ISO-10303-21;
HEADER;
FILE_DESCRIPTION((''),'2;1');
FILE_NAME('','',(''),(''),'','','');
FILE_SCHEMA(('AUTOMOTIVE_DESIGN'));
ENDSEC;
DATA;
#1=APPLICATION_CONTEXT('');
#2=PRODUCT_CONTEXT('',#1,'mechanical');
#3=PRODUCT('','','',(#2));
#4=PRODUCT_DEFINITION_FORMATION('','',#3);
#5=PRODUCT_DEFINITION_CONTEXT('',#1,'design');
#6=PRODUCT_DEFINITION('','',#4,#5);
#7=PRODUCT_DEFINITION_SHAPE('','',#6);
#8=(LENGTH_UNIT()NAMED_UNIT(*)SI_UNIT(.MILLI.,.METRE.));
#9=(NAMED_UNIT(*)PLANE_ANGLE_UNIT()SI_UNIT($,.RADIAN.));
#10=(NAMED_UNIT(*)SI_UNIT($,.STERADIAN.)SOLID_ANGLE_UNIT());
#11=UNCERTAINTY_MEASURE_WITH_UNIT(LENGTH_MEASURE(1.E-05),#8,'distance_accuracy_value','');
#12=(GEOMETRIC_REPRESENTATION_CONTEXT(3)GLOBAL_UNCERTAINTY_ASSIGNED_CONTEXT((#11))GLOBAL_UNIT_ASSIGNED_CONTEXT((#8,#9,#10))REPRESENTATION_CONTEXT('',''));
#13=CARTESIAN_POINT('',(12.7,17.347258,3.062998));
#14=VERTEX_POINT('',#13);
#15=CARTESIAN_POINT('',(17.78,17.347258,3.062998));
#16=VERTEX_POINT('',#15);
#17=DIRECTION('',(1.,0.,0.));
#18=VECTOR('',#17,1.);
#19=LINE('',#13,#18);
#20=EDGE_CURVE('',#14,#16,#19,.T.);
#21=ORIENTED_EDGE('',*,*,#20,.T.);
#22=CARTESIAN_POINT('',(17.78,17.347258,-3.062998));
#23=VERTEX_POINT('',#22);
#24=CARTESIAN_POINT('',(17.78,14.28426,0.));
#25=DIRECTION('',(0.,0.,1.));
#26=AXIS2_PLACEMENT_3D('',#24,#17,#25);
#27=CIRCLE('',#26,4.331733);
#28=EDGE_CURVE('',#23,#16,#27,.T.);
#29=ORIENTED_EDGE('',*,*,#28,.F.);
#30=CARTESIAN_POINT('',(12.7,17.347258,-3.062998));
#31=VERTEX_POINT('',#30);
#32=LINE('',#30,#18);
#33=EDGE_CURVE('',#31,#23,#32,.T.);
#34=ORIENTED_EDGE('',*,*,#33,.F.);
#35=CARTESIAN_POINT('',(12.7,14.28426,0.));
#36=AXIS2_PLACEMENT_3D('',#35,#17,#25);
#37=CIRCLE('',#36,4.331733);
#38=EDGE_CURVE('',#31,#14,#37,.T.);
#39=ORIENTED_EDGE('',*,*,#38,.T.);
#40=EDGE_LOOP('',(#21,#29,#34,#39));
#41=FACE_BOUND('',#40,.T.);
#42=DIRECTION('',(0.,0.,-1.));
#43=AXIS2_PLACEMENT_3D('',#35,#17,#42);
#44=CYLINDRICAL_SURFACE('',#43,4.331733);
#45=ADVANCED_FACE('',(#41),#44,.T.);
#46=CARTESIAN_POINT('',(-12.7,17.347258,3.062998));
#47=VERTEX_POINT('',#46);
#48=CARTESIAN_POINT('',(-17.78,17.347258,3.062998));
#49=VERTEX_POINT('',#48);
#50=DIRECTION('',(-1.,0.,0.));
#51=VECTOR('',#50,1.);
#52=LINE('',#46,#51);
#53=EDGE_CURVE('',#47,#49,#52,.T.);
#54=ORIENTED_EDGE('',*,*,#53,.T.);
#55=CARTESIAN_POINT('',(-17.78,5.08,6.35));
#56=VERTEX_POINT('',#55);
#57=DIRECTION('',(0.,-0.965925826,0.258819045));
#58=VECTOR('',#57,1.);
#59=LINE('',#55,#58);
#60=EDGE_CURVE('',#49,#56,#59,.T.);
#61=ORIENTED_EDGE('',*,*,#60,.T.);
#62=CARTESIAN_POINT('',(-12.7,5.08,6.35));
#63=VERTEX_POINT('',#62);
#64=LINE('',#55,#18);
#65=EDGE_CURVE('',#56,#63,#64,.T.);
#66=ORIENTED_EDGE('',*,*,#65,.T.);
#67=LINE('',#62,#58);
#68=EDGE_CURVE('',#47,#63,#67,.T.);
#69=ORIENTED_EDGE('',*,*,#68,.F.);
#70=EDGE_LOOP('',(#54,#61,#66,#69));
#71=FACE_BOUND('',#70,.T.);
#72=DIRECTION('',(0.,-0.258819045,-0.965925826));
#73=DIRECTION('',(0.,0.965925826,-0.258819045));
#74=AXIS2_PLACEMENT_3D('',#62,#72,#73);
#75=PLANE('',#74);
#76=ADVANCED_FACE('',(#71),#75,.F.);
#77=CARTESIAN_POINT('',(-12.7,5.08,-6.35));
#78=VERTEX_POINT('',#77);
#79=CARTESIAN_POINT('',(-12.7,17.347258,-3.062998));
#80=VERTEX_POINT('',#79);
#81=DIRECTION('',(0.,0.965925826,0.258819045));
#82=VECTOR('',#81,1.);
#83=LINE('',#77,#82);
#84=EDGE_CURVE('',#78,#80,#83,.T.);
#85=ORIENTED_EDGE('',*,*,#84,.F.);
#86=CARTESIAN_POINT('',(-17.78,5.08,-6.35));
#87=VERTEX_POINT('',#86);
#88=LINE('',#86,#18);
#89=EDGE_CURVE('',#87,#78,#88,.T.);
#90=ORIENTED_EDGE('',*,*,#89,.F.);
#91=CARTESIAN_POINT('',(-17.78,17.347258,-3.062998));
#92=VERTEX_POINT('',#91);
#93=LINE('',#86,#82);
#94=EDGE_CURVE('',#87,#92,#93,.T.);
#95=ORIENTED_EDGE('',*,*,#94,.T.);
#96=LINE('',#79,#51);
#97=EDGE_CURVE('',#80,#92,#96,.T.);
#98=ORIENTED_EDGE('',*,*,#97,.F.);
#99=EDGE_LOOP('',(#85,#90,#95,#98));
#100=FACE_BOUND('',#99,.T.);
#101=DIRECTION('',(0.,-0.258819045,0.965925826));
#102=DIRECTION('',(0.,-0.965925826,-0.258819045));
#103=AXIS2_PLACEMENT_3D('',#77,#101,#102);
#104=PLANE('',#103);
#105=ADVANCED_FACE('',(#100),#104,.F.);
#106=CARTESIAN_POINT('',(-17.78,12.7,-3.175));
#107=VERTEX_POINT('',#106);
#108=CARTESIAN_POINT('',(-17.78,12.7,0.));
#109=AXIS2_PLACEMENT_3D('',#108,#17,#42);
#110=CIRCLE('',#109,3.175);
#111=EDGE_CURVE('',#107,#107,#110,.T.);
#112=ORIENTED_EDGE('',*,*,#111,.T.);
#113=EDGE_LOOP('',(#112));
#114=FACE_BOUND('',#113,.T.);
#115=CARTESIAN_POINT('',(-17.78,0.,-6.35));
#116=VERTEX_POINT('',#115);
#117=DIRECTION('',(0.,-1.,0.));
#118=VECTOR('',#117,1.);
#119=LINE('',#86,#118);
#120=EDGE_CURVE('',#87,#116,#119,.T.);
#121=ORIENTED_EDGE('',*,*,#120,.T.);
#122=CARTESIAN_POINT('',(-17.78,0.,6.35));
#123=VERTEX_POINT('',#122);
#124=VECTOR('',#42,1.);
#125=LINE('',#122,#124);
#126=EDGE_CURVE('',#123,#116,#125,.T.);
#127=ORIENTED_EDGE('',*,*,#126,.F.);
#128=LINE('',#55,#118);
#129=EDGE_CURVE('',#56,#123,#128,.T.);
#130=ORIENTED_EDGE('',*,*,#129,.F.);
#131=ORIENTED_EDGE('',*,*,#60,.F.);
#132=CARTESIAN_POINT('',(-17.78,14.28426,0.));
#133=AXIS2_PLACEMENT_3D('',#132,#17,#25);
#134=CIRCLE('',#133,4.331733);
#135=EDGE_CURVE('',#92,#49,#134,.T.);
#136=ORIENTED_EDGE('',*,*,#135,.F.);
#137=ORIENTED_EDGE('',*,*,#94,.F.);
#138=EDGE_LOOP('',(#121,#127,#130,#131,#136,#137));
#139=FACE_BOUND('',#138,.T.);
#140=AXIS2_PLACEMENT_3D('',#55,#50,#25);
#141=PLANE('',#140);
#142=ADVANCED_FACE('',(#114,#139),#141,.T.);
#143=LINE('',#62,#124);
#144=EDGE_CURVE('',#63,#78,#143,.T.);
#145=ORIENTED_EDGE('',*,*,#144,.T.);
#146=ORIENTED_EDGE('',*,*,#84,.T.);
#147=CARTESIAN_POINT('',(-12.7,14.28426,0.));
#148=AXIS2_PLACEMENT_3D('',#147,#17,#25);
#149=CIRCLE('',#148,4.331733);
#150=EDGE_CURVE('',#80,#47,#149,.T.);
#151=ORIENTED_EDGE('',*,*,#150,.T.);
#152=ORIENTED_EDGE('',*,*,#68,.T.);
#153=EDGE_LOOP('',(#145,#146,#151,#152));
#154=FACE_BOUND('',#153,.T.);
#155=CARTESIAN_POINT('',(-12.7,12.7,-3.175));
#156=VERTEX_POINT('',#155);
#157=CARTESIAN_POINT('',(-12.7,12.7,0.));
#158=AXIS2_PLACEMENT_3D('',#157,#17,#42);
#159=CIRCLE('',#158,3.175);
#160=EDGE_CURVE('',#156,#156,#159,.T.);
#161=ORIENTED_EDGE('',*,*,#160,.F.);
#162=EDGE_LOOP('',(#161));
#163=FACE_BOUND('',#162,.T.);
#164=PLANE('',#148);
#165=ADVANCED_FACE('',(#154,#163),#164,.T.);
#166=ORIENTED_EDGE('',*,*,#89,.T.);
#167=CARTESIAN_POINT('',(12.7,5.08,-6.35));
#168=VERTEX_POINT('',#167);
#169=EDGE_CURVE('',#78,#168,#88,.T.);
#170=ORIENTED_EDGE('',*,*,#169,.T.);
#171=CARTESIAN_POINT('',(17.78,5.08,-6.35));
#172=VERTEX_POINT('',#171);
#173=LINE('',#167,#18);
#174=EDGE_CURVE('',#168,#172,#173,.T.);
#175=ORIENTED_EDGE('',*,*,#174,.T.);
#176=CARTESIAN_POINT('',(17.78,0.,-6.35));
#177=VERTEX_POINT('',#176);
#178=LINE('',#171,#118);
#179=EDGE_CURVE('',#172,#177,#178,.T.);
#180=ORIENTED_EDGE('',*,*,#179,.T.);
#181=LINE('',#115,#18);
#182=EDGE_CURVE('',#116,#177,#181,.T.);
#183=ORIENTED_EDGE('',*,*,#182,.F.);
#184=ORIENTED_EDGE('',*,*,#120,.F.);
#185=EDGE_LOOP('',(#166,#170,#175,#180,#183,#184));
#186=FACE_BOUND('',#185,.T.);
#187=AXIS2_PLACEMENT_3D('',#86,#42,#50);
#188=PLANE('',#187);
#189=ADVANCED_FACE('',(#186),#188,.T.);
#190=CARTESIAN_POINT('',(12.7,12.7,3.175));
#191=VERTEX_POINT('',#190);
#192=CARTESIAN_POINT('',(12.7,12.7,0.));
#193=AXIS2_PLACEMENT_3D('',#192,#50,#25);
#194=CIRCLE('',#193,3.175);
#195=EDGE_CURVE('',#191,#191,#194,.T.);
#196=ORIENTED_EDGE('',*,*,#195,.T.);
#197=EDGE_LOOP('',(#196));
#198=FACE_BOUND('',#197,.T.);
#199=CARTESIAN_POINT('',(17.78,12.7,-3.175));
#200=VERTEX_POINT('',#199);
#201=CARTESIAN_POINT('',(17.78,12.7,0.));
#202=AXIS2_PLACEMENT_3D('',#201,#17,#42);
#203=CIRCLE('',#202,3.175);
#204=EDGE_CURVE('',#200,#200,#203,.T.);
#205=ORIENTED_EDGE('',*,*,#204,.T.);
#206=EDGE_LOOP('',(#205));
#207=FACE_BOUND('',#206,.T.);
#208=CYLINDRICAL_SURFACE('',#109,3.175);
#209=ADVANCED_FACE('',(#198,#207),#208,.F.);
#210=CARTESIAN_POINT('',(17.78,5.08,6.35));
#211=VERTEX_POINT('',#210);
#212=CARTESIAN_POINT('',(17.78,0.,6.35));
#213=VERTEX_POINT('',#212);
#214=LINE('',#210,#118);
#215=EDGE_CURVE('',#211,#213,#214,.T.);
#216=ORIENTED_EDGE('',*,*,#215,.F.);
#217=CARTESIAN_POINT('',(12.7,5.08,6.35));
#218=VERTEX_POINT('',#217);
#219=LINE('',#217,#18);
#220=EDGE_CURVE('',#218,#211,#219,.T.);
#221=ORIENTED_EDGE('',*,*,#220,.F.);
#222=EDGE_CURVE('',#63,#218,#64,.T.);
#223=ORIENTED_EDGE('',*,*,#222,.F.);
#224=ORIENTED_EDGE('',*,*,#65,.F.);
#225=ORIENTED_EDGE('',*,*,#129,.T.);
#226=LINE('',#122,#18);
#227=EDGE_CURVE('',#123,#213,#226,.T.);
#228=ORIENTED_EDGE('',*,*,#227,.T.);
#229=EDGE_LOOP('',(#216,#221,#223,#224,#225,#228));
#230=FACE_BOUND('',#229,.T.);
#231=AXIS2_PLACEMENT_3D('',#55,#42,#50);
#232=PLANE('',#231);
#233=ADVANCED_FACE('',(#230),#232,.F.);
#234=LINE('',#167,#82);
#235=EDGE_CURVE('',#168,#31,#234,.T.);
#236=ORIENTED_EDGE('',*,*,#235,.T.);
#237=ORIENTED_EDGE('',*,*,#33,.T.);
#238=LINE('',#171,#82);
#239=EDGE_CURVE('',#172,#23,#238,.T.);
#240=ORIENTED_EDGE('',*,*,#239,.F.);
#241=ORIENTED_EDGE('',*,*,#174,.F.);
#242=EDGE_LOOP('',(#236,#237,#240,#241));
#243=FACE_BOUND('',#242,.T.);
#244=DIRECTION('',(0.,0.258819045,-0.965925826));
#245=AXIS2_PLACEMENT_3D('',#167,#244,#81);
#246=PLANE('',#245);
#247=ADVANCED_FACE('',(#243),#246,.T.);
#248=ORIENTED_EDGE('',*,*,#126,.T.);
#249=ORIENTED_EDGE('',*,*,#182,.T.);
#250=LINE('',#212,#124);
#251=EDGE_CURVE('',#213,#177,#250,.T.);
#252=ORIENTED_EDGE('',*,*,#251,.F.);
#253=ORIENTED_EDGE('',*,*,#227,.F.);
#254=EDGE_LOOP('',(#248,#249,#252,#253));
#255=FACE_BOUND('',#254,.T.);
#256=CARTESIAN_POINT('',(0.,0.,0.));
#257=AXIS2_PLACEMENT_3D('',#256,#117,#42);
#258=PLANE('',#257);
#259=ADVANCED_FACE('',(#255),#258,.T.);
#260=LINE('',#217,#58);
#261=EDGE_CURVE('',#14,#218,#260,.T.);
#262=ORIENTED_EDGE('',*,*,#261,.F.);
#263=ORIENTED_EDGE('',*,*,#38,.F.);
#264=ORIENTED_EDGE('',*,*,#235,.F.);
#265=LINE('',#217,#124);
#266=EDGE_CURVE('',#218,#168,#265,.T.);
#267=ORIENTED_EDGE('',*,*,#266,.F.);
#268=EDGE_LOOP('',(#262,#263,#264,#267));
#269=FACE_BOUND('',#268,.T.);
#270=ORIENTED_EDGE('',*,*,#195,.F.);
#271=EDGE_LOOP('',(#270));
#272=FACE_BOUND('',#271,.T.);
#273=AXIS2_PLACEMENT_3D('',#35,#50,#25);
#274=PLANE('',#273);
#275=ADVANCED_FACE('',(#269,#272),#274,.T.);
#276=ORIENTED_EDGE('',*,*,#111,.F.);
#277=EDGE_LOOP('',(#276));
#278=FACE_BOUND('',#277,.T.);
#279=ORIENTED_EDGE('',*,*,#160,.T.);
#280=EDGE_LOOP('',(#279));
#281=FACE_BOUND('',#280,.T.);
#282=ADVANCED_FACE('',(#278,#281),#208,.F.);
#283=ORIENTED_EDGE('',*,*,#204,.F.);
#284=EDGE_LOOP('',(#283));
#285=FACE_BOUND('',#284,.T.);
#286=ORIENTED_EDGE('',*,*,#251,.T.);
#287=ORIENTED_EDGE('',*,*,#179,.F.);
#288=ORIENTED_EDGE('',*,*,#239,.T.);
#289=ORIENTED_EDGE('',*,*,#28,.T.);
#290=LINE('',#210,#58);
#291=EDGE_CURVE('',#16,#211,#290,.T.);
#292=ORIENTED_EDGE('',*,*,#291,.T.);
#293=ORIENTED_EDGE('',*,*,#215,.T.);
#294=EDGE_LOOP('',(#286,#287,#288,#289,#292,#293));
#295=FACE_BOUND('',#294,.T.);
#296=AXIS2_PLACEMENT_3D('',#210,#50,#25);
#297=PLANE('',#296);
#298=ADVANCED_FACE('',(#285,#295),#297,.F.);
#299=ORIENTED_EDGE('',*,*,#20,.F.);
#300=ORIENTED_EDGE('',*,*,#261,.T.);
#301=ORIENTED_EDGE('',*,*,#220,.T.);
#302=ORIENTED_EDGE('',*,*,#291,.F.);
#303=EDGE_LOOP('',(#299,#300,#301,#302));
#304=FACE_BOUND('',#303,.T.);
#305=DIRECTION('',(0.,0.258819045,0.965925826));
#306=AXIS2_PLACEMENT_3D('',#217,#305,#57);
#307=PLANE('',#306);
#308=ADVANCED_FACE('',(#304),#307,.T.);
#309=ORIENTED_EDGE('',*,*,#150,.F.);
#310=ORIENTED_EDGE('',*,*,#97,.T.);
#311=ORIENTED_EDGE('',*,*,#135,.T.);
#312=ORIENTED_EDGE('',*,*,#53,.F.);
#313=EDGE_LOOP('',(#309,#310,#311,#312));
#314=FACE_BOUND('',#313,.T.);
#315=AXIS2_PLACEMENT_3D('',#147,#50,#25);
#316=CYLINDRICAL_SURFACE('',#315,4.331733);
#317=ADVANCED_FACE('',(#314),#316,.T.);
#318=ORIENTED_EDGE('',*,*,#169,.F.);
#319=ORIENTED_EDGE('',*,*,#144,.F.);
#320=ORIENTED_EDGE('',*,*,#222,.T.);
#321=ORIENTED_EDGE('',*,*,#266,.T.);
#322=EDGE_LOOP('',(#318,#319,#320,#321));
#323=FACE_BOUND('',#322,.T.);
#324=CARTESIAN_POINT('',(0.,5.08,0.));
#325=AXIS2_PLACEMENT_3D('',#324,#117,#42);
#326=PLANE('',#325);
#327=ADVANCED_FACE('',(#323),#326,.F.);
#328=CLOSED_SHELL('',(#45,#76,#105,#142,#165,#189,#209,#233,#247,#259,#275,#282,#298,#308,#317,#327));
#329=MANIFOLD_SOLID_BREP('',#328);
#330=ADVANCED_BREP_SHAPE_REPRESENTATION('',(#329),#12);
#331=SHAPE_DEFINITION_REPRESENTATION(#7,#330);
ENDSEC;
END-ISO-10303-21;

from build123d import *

# Parameters (mm, degrees)
SKETCH1_W           = 35.56
SKETCH1_H           = 12.7
BOSS_EXTRUDE1_DEPTH = 5.08
BOSS_EXTRUDE2_DEPTH = 5.08
SKETCH3_R           = 3.175
CUT_EXTRUDE1_DEPTH  = 36.56


with BuildPart() as part:
    # Sketch1 → Boss-Extrude1 (new body)
    with BuildSketch(Plane(origin=(0, 0, 0), x_dir=(1, 0, 0), z_dir=(0, 1, 0))):
        Rectangle(SKETCH1_W, SKETCH1_H)
    extrude(amount=BOSS_EXTRUDE1_DEPTH)

    # Sketch2 → Boss-Extrude2 (add)
    with BuildSketch(Plane(origin=(17.78, 0, 0), x_dir=(0, 0, -1), z_dir=(1, 0, 0))):
        with BuildLine():
            Line((-6.35, 5.08), (-3.062998127, 17.347257994))
            ThreePointArc((-3.062998127, 17.347257994), (0, 18.61599336), (3.062998127, 17.347257994))
            Line((3.062998127, 17.347257994), (6.35, 5.08))
            Line((6.35, 5.08), (-6.35, 5.08))
        make_face()
    boss_extrude2 = extrude(amount=-BOSS_EXTRUDE2_DEPTH)

    # Mirror1: Boss-Extrude2 across plane
    add(boss_extrude2.mirror(Plane(origin=(0, 0, 0), x_dir=(0, 0, 1), z_dir=(1, 0, 0))))

    # Sketch3 → Cut-Extrude1 (cut, through all)
    with BuildSketch(Plane(origin=(17.78, 0, 0), x_dir=(0, 0, -1), z_dir=(1, 0, 0))):
        with Locations((0, 12.7)):
            Circle(SKETCH3_R)
    extrude(amount=-CUT_EXTRUDE1_DEPTH, mode=Mode.SUBTRACT)


solid = part.part
